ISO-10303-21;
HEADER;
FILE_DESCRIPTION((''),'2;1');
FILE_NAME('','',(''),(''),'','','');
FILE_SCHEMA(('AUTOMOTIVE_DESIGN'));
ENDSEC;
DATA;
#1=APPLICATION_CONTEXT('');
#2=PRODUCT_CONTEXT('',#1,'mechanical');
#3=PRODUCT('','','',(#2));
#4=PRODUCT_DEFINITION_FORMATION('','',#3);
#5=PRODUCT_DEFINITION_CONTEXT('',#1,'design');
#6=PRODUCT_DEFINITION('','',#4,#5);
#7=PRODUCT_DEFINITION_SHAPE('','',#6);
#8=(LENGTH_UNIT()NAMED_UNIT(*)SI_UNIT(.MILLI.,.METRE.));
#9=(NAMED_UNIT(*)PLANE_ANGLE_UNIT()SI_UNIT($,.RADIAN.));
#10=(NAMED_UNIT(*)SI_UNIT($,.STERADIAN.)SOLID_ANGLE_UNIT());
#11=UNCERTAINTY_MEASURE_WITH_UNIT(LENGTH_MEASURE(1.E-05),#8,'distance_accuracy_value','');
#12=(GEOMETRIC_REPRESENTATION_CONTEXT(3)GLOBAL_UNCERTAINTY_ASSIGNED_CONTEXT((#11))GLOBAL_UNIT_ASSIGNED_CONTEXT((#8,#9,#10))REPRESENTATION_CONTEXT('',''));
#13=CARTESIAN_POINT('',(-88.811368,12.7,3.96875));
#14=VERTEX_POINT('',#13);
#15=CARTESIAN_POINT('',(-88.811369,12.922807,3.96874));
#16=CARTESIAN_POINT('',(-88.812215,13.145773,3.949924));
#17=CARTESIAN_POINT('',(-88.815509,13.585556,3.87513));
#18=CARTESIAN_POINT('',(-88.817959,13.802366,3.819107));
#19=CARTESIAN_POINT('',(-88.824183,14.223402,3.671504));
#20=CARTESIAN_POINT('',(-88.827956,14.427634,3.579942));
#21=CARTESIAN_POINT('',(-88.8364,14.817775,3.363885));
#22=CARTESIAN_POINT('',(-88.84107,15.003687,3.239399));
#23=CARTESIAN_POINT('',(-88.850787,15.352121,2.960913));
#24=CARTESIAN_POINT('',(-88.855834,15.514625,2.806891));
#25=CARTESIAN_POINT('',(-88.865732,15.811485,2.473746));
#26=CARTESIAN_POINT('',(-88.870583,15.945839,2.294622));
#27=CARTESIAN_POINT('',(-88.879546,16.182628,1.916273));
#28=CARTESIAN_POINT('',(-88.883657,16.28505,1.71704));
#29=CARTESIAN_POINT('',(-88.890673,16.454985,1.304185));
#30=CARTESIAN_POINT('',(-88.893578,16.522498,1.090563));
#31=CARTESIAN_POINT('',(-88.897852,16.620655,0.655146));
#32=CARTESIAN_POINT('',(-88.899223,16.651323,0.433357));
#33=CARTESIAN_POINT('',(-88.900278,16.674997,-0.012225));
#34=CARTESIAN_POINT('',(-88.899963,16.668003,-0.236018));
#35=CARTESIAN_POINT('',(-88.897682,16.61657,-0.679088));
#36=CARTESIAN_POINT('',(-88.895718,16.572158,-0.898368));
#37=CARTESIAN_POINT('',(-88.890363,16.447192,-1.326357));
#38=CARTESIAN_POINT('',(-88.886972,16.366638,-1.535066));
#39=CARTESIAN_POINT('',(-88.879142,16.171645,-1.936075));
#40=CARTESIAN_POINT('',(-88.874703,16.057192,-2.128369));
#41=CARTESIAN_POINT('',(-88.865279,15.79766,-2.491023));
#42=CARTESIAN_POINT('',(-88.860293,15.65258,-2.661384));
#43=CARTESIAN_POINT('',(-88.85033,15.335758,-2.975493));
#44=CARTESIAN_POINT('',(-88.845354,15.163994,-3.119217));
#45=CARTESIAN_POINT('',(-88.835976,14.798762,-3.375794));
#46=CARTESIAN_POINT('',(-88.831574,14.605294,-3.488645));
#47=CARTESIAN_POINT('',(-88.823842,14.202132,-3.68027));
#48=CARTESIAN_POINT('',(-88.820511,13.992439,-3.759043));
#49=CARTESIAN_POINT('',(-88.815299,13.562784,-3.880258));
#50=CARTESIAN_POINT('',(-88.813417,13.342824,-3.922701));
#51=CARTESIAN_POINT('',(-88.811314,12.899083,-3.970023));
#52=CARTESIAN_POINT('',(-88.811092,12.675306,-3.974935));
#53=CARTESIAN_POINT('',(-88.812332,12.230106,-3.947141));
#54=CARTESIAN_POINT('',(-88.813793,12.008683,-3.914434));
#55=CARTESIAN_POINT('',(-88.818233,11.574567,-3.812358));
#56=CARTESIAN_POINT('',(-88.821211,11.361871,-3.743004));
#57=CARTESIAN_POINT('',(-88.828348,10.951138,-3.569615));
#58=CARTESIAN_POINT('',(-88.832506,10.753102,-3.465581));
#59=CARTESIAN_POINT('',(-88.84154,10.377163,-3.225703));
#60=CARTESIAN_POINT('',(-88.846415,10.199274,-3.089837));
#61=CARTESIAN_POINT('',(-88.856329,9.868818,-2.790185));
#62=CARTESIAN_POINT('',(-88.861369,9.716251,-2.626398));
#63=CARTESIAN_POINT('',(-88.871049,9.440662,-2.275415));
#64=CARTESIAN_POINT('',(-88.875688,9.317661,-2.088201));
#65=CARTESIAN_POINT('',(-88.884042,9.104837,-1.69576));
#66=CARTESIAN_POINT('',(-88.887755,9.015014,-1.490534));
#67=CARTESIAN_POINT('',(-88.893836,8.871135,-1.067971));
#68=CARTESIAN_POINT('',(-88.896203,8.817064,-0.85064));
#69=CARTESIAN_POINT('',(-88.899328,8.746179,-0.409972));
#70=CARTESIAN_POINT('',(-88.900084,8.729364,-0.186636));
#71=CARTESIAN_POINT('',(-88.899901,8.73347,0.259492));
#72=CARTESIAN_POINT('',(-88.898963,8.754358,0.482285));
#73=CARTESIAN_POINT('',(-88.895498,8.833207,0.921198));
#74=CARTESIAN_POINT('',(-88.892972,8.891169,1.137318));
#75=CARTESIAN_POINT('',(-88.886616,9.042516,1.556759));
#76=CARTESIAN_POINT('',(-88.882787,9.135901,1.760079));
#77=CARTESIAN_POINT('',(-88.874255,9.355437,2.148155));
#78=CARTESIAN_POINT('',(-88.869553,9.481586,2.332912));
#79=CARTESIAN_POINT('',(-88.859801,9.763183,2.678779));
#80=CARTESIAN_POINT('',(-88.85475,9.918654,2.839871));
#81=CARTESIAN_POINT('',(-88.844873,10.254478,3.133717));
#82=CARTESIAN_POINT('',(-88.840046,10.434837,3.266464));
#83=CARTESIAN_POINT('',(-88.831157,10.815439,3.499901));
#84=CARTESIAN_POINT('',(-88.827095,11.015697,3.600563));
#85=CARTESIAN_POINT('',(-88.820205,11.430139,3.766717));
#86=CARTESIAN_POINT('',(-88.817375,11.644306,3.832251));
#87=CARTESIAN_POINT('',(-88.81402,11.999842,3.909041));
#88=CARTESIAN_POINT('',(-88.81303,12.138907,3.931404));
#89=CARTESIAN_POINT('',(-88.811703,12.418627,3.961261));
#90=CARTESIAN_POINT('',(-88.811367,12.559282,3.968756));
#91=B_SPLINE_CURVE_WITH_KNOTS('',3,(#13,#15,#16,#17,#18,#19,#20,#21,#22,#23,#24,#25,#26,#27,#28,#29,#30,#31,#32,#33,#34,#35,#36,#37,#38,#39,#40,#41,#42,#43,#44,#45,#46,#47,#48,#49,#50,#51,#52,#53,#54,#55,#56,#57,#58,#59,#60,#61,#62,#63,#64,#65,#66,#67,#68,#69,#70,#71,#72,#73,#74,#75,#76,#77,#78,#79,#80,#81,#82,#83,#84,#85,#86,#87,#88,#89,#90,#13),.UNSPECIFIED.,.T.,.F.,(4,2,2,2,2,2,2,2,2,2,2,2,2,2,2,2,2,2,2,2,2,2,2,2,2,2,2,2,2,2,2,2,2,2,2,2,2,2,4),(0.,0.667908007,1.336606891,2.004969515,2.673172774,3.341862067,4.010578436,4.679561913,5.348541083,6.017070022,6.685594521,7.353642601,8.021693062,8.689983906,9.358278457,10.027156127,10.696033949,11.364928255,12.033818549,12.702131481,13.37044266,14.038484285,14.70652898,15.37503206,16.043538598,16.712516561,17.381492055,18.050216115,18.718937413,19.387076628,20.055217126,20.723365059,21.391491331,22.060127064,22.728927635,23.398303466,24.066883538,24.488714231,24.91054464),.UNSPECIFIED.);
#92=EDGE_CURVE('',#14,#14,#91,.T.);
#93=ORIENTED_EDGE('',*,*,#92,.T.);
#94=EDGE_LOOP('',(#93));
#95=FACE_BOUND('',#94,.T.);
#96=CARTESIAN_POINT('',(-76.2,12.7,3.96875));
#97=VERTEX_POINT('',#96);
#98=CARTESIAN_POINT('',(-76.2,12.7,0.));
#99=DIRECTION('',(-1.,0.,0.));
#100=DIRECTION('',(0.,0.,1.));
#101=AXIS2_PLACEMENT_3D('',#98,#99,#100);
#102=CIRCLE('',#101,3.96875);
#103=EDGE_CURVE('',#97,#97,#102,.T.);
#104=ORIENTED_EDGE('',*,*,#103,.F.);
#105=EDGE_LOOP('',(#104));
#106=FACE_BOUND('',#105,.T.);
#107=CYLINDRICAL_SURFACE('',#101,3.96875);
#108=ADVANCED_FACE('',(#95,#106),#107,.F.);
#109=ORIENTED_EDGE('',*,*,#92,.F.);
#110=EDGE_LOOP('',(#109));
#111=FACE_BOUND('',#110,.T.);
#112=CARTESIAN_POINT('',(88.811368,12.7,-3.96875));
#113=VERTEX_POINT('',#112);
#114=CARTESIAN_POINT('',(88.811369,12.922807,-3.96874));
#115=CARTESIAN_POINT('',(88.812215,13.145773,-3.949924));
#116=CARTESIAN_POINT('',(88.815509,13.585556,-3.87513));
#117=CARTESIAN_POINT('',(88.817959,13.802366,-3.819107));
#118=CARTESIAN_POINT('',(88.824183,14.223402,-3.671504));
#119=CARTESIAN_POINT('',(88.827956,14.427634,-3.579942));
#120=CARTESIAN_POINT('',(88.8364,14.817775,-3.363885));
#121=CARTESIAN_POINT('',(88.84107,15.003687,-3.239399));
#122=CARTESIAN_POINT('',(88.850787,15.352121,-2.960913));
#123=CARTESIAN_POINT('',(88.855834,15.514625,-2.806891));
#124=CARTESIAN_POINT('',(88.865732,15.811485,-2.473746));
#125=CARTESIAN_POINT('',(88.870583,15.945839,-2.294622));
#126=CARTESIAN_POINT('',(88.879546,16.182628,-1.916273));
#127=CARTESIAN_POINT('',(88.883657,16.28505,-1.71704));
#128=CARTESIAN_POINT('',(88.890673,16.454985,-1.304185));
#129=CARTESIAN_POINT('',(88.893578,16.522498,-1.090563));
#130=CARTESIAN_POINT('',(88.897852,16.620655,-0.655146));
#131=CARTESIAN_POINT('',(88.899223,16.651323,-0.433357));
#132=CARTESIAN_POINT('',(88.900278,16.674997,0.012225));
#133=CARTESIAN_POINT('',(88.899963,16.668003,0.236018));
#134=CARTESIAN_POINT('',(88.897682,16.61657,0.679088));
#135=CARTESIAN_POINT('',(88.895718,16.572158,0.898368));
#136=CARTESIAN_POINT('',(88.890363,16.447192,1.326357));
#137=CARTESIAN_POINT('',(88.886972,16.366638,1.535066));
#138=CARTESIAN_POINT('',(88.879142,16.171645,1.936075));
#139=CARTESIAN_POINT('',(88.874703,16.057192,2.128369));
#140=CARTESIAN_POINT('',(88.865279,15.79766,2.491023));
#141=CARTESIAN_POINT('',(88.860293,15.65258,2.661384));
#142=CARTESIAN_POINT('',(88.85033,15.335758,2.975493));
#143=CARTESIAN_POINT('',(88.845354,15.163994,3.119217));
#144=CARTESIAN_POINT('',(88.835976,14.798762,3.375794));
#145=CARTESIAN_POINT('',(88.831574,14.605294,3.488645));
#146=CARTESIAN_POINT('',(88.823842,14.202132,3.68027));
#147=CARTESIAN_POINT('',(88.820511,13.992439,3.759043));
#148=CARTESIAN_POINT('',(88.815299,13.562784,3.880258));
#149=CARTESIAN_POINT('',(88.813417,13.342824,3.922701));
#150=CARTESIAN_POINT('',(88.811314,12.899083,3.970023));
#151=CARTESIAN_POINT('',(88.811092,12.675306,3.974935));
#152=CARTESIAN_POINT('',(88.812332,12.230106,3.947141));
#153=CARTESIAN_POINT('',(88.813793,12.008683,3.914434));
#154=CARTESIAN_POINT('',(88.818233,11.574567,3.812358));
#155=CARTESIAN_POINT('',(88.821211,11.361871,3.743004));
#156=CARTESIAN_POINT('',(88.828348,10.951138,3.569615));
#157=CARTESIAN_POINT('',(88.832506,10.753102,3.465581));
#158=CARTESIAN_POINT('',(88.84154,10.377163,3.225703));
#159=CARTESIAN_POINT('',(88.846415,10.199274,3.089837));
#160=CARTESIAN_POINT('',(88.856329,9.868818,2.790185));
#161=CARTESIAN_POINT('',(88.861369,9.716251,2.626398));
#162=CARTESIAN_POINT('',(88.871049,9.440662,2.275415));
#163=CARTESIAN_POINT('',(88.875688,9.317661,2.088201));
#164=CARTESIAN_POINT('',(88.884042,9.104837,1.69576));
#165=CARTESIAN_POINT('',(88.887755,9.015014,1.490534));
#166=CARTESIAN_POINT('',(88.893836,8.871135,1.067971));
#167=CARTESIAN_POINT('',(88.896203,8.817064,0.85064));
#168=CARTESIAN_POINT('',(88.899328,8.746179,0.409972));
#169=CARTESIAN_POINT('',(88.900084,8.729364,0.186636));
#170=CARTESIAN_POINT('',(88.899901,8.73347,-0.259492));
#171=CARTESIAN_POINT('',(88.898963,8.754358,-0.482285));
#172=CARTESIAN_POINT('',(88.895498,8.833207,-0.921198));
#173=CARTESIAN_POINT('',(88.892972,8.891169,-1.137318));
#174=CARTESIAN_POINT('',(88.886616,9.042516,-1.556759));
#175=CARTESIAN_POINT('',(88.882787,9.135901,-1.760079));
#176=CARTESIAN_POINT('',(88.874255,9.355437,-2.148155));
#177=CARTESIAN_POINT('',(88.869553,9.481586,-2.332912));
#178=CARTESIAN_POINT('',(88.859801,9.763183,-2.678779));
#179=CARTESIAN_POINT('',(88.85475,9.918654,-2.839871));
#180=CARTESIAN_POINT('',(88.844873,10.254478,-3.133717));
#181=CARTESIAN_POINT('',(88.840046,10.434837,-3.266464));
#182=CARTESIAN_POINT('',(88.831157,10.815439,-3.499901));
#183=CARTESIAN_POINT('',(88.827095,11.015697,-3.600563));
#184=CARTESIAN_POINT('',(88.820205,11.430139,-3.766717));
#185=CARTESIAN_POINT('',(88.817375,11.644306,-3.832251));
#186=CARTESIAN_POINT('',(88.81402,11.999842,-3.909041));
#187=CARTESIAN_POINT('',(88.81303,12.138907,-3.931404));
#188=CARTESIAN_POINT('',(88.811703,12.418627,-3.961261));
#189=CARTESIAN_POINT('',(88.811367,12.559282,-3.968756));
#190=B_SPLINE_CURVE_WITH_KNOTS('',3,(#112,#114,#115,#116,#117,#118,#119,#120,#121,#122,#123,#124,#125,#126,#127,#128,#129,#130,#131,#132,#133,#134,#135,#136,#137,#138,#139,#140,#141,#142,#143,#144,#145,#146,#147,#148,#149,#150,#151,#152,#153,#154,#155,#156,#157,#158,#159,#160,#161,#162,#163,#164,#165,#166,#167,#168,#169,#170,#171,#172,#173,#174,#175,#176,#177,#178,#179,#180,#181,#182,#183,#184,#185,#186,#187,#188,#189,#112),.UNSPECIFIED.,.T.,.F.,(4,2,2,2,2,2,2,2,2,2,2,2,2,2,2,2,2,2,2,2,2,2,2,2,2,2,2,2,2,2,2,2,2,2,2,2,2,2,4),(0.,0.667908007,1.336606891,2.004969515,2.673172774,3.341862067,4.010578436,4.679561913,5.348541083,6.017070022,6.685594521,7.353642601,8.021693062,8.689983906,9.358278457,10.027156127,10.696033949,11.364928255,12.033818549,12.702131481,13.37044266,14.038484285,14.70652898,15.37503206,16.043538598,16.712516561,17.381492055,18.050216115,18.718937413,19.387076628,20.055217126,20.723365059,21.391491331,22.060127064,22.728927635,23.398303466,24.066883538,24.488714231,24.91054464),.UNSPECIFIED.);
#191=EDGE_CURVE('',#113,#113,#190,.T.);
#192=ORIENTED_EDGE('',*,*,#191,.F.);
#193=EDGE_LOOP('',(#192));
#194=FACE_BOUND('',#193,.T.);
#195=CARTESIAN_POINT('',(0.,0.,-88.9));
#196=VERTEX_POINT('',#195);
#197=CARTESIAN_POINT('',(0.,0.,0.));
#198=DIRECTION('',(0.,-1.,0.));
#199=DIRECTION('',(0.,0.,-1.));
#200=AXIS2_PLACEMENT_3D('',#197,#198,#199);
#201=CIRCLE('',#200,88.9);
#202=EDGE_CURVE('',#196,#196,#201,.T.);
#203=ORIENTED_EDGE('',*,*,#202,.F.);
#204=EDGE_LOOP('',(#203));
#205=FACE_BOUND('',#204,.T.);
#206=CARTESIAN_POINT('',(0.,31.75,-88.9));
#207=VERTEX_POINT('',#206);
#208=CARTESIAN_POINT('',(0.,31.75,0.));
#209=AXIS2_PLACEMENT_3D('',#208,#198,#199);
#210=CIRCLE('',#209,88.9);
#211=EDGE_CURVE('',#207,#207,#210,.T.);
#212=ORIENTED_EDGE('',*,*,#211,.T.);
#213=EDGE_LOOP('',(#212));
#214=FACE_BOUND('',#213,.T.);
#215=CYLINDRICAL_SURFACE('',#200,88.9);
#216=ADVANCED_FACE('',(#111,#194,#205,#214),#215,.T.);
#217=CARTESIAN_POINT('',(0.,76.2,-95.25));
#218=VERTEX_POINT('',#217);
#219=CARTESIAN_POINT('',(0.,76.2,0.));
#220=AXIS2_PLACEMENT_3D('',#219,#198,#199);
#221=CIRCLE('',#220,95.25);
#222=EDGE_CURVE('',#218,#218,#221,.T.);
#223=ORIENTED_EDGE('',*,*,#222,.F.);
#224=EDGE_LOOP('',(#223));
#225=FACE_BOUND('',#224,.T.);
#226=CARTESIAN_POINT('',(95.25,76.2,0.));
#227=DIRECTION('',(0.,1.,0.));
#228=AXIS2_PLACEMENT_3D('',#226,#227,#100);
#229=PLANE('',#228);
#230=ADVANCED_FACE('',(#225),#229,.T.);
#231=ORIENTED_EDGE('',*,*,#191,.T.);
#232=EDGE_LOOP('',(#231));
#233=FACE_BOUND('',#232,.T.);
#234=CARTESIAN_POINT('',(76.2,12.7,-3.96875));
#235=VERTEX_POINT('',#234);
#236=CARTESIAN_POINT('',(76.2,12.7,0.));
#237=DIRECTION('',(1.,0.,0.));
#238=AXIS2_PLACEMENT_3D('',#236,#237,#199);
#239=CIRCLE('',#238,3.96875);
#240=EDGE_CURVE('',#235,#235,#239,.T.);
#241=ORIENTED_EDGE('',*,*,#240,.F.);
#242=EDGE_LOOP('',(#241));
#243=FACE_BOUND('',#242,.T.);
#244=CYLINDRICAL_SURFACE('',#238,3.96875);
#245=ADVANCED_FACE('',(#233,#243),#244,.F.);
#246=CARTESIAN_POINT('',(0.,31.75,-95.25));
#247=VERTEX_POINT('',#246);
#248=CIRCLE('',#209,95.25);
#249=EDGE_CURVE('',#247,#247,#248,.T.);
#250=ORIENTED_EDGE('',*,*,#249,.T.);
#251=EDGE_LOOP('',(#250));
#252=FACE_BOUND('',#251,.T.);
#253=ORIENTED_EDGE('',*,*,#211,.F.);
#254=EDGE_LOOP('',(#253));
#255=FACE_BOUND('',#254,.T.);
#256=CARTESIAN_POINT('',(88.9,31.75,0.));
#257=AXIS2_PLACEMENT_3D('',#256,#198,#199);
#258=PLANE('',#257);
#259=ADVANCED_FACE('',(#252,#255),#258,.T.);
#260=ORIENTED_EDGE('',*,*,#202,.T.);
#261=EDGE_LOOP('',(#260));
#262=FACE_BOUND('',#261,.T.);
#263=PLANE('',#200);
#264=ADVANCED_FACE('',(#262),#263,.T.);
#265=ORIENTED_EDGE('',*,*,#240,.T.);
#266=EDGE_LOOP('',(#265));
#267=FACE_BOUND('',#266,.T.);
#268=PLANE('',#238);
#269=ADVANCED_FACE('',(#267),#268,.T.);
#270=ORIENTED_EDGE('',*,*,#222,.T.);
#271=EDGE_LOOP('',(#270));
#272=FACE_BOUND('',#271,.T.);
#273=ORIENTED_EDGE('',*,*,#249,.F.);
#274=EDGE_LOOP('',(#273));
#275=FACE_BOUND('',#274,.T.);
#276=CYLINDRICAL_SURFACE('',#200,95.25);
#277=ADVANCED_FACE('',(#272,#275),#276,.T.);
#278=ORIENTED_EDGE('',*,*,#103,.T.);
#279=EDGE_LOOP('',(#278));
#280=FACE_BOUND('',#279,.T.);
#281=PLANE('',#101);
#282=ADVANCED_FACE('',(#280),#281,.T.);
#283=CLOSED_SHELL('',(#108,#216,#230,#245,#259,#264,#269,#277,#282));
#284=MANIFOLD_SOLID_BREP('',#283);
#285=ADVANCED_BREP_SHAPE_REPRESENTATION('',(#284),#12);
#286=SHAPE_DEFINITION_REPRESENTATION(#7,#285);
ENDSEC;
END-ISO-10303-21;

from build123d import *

# Parameters (mm, degrees)
SKETCH3_R          = 3.96875
CUT_EXTRUDE1_DEPTH = 12.7
CIRPATTERN2_COUNT  = 2


with BuildPart() as part:
    # Sketch1 → Revolve1 (revolve)
    with BuildSketch(Plane.XY, mode=Mode.PRIVATE) as revolve1_sk:
        Polygon((0, 0), (88.9, 0), (88.9, 31.75), (95.25, 31.75), (95.25, 76.2), (0, 76.2), align=None)
    revolve(revolve1_sk.sketch.rotate(Axis((0, 0, 0), (0, 1, 0)), 90), axis=Axis((0, 0, 0), (0, 1, 0)))

    # Sketch3 → Cut-Extrude1 (cut)
    with BuildSketch(Plane(origin=(88.9, 0, 0), x_dir=(0, 0, -1), z_dir=(1, 0, 0))):
        with Locations((0, 12.7)):
            Circle(SKETCH3_R)
    cut_extrude1 = extrude(amount=-CUT_EXTRUDE1_DEPTH, mode=Mode.SUBTRACT)

    # CirPattern2: Cut-Extrude1 ×2 about axis
    cirpattern2_axis = Axis((0, 0, 0), (0, -1, 0))
    for i in range(1, CIRPATTERN2_COUNT):
        add(cut_extrude1.rotate(cirpattern2_axis, i * 360 / CIRPATTERN2_COUNT), mode=Mode.SUBTRACT)


solid = part.part
